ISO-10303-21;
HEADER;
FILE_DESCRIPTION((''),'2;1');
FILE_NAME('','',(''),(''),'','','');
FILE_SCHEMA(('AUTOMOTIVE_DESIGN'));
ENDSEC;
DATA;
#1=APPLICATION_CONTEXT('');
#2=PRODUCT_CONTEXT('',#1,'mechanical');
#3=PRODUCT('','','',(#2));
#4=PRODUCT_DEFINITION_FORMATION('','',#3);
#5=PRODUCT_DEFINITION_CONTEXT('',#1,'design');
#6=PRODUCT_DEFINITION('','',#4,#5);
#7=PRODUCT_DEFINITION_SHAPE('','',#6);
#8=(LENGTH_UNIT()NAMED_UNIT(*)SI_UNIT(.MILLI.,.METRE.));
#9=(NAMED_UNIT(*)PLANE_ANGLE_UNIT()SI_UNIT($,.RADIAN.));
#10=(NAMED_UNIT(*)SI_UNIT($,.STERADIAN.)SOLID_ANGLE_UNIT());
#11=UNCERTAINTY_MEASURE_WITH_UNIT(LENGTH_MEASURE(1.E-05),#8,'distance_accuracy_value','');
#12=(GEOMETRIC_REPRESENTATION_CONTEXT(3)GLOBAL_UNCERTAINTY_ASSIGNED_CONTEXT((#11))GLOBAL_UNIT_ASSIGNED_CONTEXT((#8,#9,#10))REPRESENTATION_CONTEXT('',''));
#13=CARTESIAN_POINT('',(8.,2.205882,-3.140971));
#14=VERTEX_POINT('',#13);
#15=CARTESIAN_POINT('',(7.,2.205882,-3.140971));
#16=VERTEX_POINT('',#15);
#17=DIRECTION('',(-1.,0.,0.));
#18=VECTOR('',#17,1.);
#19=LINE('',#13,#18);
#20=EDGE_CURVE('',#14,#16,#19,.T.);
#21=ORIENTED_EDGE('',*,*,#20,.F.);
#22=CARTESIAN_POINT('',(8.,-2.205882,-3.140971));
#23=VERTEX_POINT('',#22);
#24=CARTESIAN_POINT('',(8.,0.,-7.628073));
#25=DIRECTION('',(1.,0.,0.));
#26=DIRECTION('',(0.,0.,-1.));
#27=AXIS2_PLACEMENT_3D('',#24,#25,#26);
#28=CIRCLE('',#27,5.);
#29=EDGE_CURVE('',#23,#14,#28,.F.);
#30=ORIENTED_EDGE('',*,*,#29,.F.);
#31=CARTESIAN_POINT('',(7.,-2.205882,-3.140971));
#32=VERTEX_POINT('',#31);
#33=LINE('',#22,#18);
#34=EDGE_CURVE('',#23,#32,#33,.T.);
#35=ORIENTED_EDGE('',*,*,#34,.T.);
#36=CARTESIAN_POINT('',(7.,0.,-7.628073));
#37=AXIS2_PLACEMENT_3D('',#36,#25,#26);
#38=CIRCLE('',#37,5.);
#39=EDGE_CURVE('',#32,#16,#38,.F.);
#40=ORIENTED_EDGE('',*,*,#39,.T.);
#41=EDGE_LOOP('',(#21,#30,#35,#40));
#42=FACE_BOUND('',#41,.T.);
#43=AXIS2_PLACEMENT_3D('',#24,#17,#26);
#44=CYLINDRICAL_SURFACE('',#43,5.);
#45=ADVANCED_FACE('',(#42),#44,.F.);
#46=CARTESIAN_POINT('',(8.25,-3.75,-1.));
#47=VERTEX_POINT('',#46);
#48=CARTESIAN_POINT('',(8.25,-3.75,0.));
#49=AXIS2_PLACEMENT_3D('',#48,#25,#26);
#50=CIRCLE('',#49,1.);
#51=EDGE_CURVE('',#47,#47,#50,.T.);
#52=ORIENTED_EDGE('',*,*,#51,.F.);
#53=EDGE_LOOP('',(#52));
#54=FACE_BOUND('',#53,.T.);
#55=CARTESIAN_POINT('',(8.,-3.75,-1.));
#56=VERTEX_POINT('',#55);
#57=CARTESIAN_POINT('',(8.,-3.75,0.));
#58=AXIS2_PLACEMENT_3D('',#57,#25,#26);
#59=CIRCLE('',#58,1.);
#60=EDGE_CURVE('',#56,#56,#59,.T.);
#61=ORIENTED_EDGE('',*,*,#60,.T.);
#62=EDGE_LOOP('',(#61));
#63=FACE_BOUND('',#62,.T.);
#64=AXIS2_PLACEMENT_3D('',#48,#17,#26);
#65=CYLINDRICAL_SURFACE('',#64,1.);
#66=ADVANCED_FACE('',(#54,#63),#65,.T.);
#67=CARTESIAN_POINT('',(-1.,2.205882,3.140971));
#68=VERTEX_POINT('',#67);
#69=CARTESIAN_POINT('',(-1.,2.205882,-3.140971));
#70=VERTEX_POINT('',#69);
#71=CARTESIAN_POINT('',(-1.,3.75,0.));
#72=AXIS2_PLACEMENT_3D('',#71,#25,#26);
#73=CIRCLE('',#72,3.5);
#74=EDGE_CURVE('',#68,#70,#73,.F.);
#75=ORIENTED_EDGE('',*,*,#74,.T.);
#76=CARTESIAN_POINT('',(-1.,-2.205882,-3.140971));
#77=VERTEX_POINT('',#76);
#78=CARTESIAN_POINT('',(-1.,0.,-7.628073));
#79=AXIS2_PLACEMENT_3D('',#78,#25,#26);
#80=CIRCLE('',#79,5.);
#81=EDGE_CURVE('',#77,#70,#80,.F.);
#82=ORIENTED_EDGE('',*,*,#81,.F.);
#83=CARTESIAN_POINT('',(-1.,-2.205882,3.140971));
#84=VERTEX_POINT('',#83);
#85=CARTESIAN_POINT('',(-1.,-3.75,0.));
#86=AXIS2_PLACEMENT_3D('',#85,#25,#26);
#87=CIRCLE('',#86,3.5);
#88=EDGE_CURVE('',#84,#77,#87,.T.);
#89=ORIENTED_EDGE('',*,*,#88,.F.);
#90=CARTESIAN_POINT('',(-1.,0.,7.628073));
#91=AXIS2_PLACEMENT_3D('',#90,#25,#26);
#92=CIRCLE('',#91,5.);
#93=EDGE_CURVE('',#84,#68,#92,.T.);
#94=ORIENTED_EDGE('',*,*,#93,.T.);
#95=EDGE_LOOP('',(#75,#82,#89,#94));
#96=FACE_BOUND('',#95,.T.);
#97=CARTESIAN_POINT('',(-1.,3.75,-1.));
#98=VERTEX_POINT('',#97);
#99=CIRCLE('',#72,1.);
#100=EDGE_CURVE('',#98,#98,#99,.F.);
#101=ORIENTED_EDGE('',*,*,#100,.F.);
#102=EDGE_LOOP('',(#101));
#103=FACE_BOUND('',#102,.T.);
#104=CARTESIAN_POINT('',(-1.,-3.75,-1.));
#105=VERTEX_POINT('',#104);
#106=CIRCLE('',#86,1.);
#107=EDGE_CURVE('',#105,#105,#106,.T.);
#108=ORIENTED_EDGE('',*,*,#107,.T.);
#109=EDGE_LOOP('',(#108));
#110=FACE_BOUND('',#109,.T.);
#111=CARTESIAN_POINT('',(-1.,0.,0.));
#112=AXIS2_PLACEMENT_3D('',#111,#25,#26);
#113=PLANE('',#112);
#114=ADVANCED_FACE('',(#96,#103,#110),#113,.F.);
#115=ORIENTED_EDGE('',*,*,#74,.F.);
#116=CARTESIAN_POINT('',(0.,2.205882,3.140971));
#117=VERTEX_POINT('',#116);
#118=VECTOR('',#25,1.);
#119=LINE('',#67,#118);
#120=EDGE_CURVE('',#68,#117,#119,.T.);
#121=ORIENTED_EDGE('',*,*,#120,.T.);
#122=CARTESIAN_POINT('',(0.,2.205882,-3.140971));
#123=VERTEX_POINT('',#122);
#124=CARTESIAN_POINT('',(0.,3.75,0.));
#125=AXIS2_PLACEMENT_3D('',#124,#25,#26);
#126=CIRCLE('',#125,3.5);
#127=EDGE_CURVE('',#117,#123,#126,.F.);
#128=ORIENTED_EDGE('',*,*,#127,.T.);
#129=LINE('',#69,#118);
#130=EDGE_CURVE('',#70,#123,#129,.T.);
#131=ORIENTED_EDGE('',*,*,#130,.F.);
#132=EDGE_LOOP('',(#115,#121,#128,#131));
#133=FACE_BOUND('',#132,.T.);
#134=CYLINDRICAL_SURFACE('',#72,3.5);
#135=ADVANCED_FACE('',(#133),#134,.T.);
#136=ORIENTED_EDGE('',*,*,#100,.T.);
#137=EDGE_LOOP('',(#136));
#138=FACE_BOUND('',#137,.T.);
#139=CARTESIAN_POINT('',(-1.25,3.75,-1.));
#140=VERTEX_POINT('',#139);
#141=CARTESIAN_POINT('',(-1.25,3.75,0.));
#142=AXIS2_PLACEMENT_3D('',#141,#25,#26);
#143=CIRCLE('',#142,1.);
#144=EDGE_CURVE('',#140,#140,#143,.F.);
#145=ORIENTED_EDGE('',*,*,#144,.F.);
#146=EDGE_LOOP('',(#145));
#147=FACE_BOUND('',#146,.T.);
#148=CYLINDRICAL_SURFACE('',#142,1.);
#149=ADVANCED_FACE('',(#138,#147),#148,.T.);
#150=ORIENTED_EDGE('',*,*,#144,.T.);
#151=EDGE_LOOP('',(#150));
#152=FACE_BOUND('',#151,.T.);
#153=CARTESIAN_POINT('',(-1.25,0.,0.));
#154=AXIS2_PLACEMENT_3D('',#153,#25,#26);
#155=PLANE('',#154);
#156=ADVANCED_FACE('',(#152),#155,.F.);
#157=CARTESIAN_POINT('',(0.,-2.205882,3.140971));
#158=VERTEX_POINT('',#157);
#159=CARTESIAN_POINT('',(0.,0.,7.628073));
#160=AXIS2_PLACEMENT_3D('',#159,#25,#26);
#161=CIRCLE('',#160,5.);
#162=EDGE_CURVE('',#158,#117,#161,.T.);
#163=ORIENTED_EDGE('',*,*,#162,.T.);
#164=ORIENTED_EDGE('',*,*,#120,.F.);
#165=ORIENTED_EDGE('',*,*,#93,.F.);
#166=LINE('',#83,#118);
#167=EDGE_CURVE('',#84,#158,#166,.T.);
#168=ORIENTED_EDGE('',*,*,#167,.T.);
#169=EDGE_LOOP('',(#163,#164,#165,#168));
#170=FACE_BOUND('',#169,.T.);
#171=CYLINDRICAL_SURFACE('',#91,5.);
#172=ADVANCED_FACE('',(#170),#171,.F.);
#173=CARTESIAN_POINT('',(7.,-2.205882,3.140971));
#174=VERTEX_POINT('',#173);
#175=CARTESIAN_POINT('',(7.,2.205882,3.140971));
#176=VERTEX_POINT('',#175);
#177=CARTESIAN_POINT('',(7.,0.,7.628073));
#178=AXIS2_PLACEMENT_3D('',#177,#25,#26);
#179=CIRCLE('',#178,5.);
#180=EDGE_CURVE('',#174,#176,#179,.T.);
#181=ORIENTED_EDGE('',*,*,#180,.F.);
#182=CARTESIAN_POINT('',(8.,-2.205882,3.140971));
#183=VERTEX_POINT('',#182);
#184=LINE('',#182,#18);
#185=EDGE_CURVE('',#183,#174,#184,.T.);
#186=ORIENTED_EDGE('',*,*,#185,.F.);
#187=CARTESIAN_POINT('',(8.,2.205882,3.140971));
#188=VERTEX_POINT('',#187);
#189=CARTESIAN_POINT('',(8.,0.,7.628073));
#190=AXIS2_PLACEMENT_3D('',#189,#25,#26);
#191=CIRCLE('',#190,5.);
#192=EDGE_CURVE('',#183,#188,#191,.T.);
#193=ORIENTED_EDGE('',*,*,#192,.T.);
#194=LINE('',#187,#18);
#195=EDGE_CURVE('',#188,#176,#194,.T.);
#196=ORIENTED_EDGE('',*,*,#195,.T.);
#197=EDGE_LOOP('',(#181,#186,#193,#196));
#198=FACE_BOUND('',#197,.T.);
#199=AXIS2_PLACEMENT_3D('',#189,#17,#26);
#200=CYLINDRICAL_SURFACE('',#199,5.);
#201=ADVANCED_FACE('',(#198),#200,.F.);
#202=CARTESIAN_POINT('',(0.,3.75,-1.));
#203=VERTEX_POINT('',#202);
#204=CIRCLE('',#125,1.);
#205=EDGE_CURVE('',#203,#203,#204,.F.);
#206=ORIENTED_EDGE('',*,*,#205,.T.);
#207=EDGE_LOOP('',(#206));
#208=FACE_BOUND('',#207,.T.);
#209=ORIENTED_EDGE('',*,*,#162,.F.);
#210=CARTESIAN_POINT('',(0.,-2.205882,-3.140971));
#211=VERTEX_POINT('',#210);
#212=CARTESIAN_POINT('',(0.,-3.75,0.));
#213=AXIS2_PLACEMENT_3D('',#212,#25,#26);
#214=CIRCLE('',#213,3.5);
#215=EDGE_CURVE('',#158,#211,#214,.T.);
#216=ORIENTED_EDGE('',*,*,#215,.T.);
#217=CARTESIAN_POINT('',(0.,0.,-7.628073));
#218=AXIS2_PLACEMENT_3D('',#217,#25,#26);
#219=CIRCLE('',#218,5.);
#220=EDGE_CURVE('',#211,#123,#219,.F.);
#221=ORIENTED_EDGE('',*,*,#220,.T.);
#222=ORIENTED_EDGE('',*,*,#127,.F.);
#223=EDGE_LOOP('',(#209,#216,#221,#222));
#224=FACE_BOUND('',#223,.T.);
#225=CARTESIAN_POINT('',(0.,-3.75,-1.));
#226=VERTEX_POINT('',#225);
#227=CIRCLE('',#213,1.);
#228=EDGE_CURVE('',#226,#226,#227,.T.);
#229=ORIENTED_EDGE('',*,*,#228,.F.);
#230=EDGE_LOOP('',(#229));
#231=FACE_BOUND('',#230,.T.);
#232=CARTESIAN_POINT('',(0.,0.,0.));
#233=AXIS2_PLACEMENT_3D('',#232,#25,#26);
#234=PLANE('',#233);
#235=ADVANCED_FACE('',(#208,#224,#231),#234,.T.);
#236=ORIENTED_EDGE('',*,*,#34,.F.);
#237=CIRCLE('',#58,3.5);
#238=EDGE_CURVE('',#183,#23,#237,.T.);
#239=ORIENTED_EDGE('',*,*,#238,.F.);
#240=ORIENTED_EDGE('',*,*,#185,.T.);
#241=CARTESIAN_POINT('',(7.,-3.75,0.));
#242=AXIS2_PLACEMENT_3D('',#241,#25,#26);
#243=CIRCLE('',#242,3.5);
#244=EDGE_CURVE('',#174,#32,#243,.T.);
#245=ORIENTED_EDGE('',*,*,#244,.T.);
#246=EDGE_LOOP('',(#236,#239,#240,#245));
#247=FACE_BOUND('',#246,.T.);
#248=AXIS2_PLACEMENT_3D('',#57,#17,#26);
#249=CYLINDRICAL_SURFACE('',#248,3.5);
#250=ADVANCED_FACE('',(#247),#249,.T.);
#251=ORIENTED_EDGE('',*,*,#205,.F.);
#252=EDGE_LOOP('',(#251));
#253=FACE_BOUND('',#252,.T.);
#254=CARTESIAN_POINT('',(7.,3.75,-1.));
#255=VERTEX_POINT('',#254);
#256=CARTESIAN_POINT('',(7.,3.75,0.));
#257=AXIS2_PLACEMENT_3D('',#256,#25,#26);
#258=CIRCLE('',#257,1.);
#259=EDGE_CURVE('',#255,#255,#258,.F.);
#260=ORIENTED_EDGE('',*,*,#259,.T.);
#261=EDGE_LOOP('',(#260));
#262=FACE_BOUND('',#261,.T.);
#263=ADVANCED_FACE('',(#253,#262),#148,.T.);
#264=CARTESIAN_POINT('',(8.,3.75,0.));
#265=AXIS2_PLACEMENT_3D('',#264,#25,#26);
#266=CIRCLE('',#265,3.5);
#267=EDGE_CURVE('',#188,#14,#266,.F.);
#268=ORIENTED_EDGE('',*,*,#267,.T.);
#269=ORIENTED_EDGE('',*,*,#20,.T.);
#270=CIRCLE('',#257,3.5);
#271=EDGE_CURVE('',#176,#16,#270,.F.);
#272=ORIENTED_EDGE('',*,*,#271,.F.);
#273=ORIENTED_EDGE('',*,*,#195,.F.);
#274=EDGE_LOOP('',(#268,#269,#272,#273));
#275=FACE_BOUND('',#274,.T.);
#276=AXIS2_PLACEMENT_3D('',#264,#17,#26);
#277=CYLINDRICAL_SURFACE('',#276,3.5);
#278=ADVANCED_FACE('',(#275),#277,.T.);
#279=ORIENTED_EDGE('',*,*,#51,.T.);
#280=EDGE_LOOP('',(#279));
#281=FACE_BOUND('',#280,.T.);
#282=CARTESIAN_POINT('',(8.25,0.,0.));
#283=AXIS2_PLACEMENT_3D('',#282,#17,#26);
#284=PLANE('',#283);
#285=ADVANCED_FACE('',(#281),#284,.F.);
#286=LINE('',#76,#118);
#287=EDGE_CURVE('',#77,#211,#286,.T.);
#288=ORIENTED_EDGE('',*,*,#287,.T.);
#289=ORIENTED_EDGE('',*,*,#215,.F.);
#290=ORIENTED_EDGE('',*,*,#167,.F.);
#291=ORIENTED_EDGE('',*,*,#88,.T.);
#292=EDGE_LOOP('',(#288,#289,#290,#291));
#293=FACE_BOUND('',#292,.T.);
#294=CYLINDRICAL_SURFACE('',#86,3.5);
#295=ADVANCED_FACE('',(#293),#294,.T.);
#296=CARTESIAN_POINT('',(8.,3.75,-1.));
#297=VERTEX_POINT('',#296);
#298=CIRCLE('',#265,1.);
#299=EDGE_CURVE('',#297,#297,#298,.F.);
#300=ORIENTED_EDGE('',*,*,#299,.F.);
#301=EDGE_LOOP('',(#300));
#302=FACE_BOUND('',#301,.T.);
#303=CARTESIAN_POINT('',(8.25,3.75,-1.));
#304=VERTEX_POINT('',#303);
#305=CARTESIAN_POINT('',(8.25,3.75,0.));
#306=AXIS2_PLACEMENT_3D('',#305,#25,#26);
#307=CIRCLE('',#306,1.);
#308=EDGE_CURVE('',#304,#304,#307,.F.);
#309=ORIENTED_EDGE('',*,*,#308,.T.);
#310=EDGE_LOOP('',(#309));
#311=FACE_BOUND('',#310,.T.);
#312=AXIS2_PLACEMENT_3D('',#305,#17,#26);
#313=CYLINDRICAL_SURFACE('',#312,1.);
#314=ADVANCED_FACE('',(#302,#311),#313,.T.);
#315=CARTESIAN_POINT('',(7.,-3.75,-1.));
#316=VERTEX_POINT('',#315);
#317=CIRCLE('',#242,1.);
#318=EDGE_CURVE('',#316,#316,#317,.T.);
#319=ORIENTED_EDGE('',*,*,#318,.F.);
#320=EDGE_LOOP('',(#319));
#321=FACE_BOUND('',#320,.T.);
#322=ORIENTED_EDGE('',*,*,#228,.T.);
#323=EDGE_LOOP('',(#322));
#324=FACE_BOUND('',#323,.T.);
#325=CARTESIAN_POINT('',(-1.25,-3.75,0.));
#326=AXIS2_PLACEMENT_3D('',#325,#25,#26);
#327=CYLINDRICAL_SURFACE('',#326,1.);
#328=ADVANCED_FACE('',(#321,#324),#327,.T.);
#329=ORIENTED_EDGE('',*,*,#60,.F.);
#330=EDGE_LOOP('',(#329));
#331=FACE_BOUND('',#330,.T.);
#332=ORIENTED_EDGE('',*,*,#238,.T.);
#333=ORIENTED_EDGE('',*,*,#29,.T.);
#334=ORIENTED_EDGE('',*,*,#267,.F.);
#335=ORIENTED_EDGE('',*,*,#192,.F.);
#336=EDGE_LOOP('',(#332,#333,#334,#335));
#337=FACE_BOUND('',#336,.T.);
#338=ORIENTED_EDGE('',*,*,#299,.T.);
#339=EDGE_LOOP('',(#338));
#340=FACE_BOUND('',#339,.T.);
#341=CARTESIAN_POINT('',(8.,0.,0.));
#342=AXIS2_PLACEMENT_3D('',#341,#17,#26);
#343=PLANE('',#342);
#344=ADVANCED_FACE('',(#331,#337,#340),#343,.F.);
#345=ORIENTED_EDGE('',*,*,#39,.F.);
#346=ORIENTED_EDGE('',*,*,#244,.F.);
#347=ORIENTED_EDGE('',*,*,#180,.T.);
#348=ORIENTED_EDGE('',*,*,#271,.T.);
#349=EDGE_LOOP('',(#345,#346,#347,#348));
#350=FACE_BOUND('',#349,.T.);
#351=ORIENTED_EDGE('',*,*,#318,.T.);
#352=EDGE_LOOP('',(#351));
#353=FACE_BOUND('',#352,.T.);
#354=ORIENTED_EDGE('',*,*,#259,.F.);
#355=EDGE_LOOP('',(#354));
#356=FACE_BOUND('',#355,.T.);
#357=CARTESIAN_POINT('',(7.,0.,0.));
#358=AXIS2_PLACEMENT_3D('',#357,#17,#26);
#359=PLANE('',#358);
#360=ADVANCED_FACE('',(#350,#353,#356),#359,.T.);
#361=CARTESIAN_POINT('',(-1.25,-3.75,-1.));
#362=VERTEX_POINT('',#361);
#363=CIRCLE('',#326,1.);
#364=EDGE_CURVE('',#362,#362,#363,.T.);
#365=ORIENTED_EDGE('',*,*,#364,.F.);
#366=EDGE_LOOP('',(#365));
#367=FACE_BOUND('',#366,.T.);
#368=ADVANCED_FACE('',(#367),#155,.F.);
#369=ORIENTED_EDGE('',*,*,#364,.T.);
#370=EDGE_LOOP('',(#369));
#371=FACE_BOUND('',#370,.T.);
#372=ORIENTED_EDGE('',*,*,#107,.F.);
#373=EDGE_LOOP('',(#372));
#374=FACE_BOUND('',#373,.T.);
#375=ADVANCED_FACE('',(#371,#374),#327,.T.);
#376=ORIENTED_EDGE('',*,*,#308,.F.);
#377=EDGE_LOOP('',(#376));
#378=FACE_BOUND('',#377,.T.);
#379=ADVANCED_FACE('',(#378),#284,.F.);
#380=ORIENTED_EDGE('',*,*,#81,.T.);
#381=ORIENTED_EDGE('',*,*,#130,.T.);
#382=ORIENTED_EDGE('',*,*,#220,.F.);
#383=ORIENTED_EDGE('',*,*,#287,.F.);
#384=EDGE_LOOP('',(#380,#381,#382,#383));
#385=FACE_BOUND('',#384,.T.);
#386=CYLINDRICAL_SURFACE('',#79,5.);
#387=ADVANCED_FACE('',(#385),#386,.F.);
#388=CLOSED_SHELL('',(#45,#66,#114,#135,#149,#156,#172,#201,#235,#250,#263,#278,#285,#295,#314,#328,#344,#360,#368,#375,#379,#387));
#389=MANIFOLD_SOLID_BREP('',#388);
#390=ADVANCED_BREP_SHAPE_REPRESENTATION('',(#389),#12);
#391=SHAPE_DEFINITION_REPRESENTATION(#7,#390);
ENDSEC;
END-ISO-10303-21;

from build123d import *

# Parameters (mm, degrees)
SKETCH2_R                = 1
BOSS_EXTRUDE1_DEPTH      = 1
BOSS_EXTRUDE2_DEPTH      = 3.5
BOSS_EXTRUDE2_DEPTH_BACK = 1.25
SKETCH2_3_R              = 1


with BuildPart() as part:
    # Sketch2 → Boss-Extrude1 (new body)
    with BuildSketch(Plane.YZ):
        with BuildLine():
            ThreePointArc((-2.205882353, 3.140971298), (-7.25, 0), (-2.205882353, -3.140971298))
            ThreePointArc((-2.205882353, -3.140971298), (0, -2.628073151), (2.205882353, -3.140971298))
            ThreePointArc((2.205882353, -3.140971298), (7.25, 0), (2.205882353, 3.140971298))
            ThreePointArc((2.205882353, 3.140971298), (0, 2.628073151), (-2.205882353, 3.140971298))
        make_face()
        with Locations((-3.75, 0)):
            Circle(SKETCH2_R, mode=Mode.SUBTRACT)
        with Locations((3.75, 0)):
            Circle(SKETCH2_R, mode=Mode.SUBTRACT)
    extrude(amount=-BOSS_EXTRUDE1_DEPTH)

    # Sketch2<3> → Boss-Extrude2 (add, two sides: drawn at the far end of the back side and taken through both)
    with BuildSketch(Plane.YZ.offset(-BOSS_EXTRUDE2_DEPTH_BACK)):
        with Locations((-3.75, 0)):
            Circle(SKETCH2_3_R)
        with Locations((3.75, 0)):
            Circle(SKETCH2_3_R)
    extrude(amount=BOSS_EXTRUDE2_DEPTH + BOSS_EXTRUDE2_DEPTH_BACK)

    # Mirror1: part across plane


with BuildPart() as part_1:
    add(part.part)
    add(part.part.mirror(Plane(origin=(3.5, 0, 0), x_dir=(0, 0, 1), z_dir=(1, 0, 0))))


solid = part_1.part
